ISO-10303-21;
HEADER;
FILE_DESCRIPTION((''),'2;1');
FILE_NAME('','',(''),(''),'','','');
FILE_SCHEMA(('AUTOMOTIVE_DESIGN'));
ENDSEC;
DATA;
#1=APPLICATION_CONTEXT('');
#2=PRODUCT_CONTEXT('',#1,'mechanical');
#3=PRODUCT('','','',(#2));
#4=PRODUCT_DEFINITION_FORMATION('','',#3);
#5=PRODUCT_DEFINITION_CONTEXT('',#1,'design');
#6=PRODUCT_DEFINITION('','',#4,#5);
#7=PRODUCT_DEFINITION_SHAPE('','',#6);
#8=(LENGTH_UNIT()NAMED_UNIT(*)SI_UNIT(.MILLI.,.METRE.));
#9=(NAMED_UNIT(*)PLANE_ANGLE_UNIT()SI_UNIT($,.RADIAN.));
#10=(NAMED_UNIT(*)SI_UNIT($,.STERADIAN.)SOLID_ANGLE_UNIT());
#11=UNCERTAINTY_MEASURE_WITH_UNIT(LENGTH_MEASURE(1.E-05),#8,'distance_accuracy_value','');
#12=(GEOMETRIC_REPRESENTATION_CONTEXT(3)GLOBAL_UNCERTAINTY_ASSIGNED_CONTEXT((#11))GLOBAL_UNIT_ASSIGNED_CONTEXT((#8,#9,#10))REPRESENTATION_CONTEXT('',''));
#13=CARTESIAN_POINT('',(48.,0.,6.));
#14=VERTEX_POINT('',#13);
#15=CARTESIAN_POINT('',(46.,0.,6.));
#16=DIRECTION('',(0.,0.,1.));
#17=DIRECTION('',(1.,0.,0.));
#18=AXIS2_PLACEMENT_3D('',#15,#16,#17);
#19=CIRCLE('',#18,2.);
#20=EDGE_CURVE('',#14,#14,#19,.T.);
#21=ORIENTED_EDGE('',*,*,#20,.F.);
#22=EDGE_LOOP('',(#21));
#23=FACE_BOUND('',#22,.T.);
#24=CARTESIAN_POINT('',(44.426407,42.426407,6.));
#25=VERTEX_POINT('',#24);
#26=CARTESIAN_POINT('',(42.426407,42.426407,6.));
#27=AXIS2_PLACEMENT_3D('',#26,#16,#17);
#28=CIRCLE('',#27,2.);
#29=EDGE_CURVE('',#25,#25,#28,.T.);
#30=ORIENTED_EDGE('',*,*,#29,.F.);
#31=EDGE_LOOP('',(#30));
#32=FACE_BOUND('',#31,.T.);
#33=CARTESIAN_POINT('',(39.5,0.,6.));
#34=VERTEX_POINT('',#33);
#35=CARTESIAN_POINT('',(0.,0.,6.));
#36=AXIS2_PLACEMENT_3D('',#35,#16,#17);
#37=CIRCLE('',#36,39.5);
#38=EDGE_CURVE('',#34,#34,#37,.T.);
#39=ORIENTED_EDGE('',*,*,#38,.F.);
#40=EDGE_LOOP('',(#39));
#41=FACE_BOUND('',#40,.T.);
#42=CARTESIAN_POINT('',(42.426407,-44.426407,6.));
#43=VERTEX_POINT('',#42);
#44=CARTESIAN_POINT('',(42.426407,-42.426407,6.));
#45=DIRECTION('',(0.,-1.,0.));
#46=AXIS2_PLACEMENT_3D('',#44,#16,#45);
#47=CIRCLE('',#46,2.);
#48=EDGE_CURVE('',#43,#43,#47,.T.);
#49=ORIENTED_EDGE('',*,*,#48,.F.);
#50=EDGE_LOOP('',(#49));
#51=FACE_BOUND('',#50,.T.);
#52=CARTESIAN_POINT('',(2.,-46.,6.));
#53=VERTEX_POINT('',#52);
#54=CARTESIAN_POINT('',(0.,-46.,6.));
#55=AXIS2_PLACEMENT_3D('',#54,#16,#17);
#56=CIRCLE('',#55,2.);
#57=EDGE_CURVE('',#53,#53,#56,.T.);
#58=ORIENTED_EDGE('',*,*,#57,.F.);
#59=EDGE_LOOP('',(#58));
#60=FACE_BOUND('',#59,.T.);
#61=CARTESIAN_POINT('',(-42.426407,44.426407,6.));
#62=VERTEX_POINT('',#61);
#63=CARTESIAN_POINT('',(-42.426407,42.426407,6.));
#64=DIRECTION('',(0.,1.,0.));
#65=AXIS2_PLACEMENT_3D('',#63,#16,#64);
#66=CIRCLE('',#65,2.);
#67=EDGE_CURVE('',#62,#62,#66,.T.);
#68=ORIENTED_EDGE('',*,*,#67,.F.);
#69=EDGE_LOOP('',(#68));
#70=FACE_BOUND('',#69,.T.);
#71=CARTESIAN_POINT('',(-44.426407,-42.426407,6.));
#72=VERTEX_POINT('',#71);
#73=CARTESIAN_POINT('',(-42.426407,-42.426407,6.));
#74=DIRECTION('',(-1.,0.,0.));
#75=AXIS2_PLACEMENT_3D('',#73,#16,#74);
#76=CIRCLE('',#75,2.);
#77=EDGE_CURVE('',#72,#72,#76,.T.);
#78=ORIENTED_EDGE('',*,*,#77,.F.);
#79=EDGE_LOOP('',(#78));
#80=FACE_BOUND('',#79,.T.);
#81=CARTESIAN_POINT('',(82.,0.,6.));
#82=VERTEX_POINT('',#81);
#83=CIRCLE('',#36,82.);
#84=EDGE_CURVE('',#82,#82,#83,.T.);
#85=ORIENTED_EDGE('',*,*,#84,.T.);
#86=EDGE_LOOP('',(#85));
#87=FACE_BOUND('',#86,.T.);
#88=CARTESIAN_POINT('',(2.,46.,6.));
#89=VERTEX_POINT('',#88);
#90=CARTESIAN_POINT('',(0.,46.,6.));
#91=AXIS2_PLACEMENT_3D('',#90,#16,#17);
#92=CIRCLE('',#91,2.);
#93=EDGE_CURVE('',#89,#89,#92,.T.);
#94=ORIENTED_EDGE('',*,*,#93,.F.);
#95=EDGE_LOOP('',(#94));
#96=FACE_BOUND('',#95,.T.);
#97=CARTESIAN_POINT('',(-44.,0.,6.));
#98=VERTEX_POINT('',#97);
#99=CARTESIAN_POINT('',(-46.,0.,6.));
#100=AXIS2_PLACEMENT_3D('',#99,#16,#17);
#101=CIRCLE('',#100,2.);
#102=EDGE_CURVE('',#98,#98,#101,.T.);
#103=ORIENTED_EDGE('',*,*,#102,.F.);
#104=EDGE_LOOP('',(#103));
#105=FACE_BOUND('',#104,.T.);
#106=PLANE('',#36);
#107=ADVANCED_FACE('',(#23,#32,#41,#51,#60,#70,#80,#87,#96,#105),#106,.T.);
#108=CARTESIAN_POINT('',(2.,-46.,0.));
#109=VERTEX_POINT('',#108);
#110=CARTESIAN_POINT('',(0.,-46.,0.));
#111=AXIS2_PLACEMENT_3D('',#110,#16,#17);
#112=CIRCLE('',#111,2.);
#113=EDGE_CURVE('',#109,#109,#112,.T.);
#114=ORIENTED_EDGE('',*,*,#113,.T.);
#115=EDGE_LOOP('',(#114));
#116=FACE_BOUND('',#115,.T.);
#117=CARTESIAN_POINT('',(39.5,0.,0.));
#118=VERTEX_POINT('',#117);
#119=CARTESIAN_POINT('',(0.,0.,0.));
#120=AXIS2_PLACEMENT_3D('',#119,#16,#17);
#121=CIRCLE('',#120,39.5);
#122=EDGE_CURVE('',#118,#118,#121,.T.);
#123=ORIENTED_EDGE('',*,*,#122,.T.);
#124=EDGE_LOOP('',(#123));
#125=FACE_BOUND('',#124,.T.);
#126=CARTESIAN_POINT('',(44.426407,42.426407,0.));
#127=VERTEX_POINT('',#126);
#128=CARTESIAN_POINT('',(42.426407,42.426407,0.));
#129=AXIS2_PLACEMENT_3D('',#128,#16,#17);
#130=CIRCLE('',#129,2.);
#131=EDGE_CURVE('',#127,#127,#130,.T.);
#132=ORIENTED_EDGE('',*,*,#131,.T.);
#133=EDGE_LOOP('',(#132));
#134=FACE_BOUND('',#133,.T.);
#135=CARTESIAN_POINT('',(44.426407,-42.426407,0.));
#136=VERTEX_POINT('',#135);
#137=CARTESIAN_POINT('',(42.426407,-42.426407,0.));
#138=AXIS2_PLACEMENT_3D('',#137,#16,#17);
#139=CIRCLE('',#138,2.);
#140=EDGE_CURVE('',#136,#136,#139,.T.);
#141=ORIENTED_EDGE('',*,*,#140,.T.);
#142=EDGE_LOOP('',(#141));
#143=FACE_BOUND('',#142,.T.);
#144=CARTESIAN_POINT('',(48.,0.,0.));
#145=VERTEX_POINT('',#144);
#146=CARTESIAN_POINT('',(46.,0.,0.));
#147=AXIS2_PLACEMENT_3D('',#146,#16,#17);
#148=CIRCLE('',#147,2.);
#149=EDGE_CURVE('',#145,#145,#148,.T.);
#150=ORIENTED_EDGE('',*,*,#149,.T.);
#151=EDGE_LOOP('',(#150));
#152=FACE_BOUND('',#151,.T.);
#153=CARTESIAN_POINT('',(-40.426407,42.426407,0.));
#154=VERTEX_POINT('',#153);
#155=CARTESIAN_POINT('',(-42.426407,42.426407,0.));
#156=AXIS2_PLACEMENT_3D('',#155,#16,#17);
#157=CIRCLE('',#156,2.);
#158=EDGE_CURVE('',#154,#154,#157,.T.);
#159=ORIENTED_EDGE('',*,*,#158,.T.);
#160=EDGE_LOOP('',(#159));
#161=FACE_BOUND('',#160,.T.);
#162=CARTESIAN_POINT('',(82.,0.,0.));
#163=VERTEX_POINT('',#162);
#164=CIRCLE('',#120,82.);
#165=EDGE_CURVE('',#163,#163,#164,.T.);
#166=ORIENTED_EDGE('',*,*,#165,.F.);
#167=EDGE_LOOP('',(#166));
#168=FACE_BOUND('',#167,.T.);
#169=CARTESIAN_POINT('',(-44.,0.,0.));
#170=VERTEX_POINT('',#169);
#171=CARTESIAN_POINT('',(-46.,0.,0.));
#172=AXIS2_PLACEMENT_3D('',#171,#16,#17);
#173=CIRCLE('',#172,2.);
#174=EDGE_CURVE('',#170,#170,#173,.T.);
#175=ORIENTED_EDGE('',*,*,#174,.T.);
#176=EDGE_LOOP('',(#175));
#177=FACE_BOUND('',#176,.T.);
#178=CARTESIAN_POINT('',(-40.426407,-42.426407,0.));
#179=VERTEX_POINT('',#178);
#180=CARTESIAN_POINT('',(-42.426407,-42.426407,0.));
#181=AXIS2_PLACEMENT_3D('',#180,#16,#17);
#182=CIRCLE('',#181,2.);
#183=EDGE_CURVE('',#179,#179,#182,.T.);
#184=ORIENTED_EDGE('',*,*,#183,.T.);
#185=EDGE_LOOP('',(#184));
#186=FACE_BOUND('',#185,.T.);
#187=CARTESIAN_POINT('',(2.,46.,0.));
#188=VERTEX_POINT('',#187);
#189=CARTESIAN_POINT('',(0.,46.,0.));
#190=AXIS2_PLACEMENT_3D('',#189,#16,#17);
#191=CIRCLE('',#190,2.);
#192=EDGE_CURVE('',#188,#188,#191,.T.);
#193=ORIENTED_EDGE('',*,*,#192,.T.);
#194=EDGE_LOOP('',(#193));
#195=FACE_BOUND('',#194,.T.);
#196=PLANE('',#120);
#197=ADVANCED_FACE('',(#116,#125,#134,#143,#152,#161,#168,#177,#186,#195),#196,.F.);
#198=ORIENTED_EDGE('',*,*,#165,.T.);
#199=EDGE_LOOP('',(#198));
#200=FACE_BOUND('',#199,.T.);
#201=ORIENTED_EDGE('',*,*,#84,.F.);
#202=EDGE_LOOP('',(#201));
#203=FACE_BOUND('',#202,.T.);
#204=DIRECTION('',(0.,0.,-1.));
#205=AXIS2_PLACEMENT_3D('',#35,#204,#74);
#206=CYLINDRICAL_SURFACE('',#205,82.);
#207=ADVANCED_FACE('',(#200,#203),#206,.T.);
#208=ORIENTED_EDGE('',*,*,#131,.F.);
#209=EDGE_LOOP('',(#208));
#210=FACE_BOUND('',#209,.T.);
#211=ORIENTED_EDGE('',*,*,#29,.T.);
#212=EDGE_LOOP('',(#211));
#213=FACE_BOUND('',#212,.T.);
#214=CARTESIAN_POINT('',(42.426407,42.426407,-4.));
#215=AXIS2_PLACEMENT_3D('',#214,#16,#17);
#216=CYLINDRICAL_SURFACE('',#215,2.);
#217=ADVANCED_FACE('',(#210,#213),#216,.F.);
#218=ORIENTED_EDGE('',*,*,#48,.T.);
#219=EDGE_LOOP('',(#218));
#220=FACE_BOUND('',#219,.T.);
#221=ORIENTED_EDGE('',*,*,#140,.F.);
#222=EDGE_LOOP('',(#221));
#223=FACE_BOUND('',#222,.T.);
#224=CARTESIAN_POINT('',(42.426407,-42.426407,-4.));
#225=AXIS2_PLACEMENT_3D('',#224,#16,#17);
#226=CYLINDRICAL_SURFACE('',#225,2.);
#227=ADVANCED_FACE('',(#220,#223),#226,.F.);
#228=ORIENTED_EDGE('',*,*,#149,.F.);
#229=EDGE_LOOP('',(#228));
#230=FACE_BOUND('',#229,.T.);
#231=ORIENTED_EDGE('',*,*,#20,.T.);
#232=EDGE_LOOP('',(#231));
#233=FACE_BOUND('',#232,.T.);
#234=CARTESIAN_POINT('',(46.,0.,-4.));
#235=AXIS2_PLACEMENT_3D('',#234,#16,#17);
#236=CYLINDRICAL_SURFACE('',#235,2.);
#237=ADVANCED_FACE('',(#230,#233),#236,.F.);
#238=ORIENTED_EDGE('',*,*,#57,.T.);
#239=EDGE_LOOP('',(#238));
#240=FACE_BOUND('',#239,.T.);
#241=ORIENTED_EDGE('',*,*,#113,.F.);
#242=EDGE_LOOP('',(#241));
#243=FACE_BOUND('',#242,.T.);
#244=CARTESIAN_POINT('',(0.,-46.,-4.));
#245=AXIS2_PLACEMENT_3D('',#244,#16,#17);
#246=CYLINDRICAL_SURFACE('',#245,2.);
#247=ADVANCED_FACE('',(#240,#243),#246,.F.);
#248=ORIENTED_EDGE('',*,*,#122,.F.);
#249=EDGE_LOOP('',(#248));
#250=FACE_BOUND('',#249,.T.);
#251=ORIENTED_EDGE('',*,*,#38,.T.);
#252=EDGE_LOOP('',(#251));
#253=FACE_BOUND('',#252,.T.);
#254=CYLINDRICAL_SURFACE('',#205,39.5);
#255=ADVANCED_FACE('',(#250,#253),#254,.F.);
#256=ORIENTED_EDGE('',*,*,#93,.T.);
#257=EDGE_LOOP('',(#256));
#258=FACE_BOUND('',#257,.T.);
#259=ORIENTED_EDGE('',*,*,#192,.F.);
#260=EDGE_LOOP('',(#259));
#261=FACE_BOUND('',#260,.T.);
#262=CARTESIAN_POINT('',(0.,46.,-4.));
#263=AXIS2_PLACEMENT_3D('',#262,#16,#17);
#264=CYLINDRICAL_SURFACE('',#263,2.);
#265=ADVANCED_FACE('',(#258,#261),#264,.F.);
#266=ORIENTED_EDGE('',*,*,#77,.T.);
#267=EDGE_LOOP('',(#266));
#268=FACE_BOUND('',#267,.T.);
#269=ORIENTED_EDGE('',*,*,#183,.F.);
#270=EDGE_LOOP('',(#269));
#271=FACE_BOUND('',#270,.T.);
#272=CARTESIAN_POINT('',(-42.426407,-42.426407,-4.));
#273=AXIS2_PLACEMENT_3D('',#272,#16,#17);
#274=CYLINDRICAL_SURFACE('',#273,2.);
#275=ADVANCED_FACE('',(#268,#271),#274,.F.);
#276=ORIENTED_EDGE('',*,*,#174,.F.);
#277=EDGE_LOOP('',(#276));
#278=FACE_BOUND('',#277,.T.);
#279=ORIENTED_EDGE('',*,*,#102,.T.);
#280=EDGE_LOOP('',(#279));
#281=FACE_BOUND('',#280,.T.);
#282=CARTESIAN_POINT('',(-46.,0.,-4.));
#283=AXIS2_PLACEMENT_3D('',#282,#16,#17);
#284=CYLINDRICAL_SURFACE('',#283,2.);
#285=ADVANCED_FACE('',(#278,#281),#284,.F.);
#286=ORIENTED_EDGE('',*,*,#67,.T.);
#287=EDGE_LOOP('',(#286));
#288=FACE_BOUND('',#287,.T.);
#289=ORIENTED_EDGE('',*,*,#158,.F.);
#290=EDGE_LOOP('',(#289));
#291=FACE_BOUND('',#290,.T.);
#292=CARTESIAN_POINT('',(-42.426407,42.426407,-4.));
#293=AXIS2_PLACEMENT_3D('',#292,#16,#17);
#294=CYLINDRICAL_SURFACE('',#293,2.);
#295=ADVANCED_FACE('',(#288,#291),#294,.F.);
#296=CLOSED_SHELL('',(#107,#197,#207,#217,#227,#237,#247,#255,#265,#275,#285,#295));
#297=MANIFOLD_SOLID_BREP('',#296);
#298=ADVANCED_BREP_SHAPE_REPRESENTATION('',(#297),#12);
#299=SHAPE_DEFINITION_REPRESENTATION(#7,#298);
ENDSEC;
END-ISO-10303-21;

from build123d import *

# Parameters (mm, degrees)
SKETCH1_R           = 82
SKETCH1_R_2         = 39.5
BOSS_EXTRUDE1_DEPTH = 6
SKETCH2_R           = 2
CUT_EXTRUDE1_DEPTH  = 10
CIRPATTERN1_COUNT   = 4
SKETCH3_R           = 2
CUT_EXTRUDE2_DEPTH  = 10


with BuildPart() as part:
    # Sketch1 → Boss-Extrude1 (new body)
    with BuildSketch(Plane.XY):
        Circle(SKETCH1_R)
        Circle(SKETCH1_R_2, mode=Mode.SUBTRACT)
    extrude(amount=BOSS_EXTRUDE1_DEPTH)

    # Sketch2 → Cut-Extrude1 (cut)
    with BuildSketch(Plane.XY.offset(6)):
        with Locations((42.426406871, 42.426406871)):
            Circle(SKETCH2_R)
    cut_extrude1 = extrude(amount=-CUT_EXTRUDE1_DEPTH, mode=Mode.SUBTRACT)

    # CirPattern1: Cut-Extrude1 ×4 about axis
    cirpattern1_axis = Axis((0, 0, 0), (0, 0, 1))
    for i in range(1, CIRPATTERN1_COUNT):
        add(cut_extrude1.rotate(cirpattern1_axis, i * 360 / CIRPATTERN1_COUNT), mode=Mode.SUBTRACT)

    # Sketch3 → Cut-Extrude2 (cut)
    with BuildSketch(Plane.XY.offset(6)):
        with Locations((0, 46)):
            Circle(SKETCH3_R)
        with Locations((46, 0)):
            Circle(SKETCH3_R)
        with Locations((0, -46)):
            Circle(SKETCH3_R)
        with Locations((-46, 0)):
            Circle(SKETCH3_R)
    extrude(amount=-CUT_EXTRUDE2_DEPTH, mode=Mode.SUBTRACT)


solid = part.part
